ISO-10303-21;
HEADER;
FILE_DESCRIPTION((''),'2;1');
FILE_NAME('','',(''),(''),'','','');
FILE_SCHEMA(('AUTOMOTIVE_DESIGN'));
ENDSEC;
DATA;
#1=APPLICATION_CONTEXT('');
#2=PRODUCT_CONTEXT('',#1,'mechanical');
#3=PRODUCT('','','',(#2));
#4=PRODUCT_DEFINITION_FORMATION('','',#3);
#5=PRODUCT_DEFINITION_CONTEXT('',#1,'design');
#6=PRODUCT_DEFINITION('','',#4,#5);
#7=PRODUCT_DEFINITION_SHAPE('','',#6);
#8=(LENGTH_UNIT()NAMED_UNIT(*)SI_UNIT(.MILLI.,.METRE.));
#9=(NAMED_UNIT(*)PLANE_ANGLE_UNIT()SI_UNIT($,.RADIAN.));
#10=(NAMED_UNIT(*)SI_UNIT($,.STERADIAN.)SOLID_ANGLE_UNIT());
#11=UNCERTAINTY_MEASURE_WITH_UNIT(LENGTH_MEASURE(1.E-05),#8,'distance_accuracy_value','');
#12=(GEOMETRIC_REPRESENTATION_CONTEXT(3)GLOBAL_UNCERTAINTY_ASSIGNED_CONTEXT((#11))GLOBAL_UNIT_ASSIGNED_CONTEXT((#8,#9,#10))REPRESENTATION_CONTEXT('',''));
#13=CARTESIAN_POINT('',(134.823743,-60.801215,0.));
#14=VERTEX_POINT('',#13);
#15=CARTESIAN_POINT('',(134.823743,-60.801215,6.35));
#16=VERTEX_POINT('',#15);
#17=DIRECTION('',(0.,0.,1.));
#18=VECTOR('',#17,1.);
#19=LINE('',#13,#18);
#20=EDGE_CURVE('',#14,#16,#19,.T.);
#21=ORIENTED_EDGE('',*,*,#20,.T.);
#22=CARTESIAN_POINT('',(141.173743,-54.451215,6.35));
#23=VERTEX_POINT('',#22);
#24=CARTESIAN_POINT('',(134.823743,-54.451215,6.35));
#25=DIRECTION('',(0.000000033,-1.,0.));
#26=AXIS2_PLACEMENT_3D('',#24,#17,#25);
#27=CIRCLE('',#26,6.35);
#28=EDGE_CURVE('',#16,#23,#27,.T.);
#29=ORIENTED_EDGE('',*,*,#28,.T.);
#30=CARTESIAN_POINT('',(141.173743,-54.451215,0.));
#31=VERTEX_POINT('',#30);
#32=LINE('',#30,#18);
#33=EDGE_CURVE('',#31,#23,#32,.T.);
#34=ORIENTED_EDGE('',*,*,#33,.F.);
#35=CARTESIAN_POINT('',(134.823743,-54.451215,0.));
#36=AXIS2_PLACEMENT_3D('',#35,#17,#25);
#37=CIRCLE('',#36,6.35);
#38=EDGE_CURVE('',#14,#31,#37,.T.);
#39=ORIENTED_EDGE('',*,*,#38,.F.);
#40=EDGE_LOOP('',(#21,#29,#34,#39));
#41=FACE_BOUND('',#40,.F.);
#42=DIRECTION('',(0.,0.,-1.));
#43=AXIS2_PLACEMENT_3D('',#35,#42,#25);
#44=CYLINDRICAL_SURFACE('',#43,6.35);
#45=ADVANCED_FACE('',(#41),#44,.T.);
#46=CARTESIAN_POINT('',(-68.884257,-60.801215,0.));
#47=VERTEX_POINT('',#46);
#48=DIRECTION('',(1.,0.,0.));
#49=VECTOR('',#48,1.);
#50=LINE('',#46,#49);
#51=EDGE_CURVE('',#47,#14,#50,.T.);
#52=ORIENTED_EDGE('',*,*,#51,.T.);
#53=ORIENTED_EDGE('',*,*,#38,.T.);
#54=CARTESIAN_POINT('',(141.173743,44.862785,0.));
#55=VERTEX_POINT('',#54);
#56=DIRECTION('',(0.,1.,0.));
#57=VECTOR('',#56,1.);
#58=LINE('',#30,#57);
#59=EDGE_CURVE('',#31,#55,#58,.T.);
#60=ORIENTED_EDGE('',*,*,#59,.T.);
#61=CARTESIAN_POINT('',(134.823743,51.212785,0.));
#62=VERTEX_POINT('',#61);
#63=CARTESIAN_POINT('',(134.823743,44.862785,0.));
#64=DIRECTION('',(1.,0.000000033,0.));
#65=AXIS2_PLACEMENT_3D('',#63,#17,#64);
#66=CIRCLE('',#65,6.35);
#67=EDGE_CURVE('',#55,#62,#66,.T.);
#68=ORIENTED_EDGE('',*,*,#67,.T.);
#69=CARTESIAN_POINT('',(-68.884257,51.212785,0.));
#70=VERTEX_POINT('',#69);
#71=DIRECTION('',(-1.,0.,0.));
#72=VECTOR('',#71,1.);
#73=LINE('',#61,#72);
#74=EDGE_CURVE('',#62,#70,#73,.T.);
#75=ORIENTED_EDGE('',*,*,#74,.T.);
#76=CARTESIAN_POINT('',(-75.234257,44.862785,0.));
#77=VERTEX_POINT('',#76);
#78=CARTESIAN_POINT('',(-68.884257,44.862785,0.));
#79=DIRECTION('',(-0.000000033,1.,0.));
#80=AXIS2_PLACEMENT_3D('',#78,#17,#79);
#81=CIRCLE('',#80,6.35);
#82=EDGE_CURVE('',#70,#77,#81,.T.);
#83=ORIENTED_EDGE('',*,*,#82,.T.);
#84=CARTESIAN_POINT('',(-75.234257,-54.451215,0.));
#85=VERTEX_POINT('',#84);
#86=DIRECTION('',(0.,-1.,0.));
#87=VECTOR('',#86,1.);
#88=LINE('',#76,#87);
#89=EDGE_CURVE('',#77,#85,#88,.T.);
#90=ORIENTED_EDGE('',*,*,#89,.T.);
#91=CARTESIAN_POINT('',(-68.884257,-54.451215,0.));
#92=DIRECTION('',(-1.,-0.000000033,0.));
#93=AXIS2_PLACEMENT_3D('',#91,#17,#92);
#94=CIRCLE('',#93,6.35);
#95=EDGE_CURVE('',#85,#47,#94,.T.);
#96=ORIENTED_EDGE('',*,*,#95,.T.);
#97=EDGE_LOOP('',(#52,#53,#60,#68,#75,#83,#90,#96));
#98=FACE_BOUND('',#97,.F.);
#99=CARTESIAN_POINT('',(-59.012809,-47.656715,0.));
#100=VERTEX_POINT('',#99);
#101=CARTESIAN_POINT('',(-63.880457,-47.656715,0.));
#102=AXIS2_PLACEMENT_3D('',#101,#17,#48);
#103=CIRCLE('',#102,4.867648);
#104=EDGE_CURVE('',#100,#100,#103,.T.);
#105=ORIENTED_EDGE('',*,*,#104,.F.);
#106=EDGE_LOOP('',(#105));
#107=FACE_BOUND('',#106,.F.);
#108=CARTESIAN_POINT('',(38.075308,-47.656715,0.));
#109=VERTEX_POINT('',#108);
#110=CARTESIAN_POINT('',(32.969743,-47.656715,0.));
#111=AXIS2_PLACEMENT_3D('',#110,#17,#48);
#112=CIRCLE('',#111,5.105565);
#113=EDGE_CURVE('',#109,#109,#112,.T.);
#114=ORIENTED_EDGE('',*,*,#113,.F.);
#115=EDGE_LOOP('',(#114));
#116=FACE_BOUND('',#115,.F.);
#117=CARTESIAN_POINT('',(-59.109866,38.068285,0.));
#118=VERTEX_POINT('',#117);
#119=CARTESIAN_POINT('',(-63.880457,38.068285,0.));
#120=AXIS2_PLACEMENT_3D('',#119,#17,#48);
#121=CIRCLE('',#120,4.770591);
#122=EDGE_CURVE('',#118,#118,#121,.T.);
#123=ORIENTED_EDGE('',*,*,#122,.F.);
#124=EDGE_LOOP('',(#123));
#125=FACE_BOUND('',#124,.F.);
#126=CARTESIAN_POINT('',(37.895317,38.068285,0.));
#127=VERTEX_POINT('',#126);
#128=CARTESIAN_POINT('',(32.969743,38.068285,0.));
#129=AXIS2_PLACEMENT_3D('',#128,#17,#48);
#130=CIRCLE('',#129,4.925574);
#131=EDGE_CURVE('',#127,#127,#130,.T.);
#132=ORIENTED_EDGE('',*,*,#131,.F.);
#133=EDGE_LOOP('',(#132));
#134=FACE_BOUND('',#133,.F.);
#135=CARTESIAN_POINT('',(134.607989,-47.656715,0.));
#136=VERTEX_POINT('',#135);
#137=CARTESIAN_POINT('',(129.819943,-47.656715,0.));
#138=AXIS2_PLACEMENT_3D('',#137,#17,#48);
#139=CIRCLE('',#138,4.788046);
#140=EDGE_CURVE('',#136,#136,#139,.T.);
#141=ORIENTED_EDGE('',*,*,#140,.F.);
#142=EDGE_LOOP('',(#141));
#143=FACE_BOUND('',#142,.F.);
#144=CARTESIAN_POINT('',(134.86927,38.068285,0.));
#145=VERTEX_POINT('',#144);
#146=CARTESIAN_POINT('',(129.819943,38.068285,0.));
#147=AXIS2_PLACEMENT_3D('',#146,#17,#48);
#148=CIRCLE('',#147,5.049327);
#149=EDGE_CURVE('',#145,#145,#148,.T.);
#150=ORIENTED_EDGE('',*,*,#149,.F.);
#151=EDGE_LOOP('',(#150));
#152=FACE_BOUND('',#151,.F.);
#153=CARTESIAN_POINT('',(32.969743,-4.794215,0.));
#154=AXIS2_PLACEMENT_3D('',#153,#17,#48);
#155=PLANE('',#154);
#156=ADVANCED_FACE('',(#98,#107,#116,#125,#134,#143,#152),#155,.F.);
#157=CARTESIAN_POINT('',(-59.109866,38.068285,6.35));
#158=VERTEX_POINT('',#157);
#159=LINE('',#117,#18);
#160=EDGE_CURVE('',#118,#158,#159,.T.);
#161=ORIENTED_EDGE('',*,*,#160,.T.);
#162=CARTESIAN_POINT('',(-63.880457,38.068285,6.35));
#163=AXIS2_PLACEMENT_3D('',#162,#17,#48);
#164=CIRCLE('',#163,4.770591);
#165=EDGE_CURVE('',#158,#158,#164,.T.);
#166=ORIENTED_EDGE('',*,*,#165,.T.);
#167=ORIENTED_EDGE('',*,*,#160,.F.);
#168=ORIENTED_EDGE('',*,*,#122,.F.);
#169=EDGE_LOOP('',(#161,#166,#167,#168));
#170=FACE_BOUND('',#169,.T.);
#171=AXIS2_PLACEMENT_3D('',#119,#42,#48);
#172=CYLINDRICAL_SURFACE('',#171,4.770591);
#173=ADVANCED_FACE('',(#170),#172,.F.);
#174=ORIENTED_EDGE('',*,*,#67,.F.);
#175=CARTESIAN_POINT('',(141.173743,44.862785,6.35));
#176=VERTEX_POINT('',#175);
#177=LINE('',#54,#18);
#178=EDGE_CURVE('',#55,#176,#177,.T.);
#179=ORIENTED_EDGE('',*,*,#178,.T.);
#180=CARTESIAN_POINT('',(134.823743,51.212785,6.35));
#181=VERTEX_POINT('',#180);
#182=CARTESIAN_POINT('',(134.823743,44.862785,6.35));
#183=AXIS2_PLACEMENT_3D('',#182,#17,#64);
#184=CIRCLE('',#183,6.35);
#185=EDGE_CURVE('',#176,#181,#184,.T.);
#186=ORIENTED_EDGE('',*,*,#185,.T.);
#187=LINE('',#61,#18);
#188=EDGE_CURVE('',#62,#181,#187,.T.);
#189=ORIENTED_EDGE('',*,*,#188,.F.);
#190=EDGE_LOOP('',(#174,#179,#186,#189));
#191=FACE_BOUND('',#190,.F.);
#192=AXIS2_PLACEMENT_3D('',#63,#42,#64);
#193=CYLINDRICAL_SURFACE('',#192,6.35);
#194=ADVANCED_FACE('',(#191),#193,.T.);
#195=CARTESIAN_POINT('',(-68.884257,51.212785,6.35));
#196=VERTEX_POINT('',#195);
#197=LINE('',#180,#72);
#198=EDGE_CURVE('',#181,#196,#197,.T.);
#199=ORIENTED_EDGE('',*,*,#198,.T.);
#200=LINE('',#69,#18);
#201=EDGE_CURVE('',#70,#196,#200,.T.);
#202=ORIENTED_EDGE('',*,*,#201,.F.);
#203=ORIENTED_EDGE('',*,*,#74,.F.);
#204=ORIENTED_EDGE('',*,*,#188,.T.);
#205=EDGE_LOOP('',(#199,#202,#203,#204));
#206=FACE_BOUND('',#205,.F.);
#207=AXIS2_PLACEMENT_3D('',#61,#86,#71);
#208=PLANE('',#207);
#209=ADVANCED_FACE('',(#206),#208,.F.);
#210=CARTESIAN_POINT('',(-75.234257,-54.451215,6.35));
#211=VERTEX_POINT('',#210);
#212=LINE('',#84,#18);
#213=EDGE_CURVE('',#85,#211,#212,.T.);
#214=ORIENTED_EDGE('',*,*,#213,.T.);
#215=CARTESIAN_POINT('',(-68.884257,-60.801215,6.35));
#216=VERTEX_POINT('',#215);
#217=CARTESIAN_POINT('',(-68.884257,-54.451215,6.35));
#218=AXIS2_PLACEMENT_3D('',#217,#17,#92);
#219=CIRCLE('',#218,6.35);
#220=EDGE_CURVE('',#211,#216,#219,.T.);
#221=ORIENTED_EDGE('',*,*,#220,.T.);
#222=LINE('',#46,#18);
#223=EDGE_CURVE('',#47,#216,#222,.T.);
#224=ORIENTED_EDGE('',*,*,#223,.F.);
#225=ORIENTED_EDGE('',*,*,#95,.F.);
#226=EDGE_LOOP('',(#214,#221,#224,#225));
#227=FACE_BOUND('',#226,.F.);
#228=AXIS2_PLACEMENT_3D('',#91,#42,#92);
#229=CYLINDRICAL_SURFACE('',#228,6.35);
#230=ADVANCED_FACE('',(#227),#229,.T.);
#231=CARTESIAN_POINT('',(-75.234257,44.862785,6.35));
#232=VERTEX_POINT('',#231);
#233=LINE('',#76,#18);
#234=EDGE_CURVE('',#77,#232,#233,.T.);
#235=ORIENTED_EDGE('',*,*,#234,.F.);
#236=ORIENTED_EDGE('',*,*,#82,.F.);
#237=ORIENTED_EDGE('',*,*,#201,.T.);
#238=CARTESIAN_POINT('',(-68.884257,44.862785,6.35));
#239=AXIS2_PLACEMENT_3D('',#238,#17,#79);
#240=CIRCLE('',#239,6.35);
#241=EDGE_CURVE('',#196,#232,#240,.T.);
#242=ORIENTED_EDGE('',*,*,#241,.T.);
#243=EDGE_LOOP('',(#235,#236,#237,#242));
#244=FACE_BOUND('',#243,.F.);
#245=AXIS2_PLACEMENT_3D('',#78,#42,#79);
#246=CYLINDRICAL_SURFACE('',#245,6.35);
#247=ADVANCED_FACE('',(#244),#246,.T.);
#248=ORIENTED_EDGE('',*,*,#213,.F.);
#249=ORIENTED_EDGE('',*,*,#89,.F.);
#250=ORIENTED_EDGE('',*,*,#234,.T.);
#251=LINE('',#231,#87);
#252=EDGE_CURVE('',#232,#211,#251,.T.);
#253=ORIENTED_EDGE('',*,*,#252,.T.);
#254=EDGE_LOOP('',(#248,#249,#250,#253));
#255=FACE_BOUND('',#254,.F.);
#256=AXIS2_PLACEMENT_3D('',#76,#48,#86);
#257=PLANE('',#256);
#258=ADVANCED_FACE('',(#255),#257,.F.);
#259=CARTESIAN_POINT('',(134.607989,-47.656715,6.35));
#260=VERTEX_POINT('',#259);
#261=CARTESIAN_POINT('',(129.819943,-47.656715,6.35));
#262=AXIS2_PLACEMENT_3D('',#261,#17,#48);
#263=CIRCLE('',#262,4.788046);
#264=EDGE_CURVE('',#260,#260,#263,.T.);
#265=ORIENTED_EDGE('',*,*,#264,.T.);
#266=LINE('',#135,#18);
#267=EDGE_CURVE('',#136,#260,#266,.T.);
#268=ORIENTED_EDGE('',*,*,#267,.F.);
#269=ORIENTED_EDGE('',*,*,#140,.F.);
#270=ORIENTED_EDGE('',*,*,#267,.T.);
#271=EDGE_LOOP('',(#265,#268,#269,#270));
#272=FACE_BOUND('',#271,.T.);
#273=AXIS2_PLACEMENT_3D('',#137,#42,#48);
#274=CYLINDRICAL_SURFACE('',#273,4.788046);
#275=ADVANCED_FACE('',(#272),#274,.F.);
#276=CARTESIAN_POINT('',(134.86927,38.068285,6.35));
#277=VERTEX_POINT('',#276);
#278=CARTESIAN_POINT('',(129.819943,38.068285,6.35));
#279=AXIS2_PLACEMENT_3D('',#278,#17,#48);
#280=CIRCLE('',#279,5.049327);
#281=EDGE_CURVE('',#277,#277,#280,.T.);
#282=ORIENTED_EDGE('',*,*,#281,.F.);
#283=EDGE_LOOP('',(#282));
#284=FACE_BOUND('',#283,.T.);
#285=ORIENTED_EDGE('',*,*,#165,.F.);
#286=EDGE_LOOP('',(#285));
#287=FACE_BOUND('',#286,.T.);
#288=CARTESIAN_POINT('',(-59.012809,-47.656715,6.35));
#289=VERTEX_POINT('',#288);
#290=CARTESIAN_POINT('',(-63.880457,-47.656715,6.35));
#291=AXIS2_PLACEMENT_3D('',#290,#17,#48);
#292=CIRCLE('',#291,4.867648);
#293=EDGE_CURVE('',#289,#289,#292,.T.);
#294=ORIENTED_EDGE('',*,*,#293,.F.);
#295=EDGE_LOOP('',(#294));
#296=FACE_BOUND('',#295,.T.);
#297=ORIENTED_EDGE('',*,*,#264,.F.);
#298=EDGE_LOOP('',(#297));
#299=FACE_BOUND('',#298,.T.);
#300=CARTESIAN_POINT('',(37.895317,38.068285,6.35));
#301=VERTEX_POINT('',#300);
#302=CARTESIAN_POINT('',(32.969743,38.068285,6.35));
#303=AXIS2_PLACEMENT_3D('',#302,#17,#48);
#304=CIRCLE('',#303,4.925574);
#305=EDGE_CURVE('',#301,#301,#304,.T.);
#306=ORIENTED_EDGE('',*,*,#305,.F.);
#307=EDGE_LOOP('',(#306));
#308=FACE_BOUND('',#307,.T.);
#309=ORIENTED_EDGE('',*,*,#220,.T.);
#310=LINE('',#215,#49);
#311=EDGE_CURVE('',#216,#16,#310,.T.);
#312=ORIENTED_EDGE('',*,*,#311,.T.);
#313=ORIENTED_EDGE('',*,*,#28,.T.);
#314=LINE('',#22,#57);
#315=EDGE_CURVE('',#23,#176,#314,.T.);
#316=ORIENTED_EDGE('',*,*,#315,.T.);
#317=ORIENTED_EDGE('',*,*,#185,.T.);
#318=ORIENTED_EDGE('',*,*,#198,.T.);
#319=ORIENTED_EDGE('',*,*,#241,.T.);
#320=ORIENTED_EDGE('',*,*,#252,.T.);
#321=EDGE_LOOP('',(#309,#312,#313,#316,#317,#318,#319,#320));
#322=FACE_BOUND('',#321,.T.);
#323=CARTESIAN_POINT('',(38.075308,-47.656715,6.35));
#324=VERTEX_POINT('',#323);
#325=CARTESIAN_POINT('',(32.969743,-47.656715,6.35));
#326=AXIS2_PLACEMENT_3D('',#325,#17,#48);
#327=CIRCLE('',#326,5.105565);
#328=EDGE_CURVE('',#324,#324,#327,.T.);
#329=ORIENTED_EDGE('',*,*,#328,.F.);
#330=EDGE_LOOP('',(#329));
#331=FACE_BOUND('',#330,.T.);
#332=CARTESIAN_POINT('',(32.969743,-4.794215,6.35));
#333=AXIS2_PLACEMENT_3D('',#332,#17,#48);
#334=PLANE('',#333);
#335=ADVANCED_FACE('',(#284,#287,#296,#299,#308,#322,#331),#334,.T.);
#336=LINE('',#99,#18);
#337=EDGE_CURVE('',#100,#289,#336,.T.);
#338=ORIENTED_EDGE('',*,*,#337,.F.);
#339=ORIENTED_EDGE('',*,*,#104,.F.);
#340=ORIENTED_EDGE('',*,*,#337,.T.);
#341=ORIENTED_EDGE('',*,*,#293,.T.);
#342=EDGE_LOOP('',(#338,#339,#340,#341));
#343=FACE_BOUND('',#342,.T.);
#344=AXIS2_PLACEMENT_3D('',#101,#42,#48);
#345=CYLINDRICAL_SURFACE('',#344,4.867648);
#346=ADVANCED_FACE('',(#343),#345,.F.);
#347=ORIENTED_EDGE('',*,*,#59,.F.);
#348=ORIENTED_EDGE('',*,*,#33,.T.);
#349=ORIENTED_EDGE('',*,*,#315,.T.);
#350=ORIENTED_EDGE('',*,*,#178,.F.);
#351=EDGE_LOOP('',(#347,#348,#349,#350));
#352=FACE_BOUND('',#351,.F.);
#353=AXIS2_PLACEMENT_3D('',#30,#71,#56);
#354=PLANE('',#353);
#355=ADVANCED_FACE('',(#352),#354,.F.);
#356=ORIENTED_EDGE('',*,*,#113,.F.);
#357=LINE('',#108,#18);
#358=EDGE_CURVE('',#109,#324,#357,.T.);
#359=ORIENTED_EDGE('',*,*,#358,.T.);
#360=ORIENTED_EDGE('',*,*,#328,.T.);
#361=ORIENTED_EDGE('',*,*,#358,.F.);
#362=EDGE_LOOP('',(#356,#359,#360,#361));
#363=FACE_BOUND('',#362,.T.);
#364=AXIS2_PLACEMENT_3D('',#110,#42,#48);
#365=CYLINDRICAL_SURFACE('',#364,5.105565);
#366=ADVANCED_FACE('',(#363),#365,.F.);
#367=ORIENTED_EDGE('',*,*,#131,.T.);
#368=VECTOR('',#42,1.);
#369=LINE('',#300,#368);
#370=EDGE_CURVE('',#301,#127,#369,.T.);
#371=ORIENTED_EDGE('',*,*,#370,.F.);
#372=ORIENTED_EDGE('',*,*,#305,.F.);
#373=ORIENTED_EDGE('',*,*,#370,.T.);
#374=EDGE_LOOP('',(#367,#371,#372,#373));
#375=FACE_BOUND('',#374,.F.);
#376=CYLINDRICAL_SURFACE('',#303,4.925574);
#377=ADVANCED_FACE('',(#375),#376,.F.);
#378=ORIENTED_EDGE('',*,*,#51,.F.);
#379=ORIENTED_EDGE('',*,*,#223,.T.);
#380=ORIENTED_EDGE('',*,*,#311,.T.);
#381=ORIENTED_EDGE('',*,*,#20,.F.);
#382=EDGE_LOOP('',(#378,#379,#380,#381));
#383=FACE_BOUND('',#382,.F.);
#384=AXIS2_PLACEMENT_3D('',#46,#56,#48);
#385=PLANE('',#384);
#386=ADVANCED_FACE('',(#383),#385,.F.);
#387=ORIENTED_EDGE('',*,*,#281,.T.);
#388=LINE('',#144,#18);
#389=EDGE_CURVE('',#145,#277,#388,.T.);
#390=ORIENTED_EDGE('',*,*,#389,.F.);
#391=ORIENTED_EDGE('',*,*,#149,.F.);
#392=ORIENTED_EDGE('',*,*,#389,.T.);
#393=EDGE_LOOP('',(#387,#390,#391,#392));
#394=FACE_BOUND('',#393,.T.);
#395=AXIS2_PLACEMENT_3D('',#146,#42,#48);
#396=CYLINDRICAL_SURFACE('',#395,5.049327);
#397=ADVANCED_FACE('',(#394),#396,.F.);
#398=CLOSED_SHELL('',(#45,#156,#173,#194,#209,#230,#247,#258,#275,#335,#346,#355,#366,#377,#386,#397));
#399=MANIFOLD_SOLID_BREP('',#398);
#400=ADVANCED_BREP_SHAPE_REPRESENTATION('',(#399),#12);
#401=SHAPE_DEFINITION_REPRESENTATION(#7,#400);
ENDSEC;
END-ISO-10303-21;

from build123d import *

# Parameters (mm, degrees)
F0_R     = 4.867648
F0_R_2   = 5.105565
F0_R_3   = 4.788046
F0_R_4   = 4.770591
F0_R_5   = 5.049327
F1_DEPTH = 6.35
F2_R     = 4.925574
F3_DEPTH = 25.4


with BuildPart() as f1:
    # F0 (on Top) → F1 (new body)
    with BuildSketch(Plane.XY):
        with BuildLine():
            Line((134.823743, 51.212785), (-68.884257, 51.212785))
            ThreePointArc((-68.884257, 51.212785), (-73.374385, 49.352913), (-75.234257, 44.862785))
            Line((-75.234257, 44.862785), (-75.234257, -54.451215))
            ThreePointArc((-75.234257, -54.451215), (-73.374385, -58.941343), (-68.884257, -60.801215))
            Line((-68.884257, -60.801215), (134.823743, -60.801215))
            ThreePointArc((134.823743, -60.801215), (139.313871, -58.941343), (141.173743, -54.451215))
            Line((141.173743, -54.451215), (141.173743, 44.862785))
            ThreePointArc((141.173743, 44.862785), (139.313871, 49.352913), (134.823743, 51.212785))
        make_face()
        with Locations((-63.880457, -47.656715)):
            Circle(F0_R, mode=Mode.SUBTRACT)
        with Locations((32.969743, -47.656715)):
            Circle(F0_R_2, mode=Mode.SUBTRACT)
        with Locations((129.819943, -47.656715)):
            Circle(F0_R_3, mode=Mode.SUBTRACT)
        with Locations((-63.880457, 38.068285)):
            Circle(F0_R_4, mode=Mode.SUBTRACT)
        with Locations((129.819943, 38.068285)):
            Circle(F0_R_5, mode=Mode.SUBTRACT)
    extrude(amount=F1_DEPTH)

    # F2 (on face) → F3 (cut)
    with BuildSketch(Plane.XY.offset(6.35)):
        with Locations((32.969743, 38.068285)):
            Circle(F2_R)
    extrude(amount=-F3_DEPTH, mode=Mode.SUBTRACT)


solid = f1.part
